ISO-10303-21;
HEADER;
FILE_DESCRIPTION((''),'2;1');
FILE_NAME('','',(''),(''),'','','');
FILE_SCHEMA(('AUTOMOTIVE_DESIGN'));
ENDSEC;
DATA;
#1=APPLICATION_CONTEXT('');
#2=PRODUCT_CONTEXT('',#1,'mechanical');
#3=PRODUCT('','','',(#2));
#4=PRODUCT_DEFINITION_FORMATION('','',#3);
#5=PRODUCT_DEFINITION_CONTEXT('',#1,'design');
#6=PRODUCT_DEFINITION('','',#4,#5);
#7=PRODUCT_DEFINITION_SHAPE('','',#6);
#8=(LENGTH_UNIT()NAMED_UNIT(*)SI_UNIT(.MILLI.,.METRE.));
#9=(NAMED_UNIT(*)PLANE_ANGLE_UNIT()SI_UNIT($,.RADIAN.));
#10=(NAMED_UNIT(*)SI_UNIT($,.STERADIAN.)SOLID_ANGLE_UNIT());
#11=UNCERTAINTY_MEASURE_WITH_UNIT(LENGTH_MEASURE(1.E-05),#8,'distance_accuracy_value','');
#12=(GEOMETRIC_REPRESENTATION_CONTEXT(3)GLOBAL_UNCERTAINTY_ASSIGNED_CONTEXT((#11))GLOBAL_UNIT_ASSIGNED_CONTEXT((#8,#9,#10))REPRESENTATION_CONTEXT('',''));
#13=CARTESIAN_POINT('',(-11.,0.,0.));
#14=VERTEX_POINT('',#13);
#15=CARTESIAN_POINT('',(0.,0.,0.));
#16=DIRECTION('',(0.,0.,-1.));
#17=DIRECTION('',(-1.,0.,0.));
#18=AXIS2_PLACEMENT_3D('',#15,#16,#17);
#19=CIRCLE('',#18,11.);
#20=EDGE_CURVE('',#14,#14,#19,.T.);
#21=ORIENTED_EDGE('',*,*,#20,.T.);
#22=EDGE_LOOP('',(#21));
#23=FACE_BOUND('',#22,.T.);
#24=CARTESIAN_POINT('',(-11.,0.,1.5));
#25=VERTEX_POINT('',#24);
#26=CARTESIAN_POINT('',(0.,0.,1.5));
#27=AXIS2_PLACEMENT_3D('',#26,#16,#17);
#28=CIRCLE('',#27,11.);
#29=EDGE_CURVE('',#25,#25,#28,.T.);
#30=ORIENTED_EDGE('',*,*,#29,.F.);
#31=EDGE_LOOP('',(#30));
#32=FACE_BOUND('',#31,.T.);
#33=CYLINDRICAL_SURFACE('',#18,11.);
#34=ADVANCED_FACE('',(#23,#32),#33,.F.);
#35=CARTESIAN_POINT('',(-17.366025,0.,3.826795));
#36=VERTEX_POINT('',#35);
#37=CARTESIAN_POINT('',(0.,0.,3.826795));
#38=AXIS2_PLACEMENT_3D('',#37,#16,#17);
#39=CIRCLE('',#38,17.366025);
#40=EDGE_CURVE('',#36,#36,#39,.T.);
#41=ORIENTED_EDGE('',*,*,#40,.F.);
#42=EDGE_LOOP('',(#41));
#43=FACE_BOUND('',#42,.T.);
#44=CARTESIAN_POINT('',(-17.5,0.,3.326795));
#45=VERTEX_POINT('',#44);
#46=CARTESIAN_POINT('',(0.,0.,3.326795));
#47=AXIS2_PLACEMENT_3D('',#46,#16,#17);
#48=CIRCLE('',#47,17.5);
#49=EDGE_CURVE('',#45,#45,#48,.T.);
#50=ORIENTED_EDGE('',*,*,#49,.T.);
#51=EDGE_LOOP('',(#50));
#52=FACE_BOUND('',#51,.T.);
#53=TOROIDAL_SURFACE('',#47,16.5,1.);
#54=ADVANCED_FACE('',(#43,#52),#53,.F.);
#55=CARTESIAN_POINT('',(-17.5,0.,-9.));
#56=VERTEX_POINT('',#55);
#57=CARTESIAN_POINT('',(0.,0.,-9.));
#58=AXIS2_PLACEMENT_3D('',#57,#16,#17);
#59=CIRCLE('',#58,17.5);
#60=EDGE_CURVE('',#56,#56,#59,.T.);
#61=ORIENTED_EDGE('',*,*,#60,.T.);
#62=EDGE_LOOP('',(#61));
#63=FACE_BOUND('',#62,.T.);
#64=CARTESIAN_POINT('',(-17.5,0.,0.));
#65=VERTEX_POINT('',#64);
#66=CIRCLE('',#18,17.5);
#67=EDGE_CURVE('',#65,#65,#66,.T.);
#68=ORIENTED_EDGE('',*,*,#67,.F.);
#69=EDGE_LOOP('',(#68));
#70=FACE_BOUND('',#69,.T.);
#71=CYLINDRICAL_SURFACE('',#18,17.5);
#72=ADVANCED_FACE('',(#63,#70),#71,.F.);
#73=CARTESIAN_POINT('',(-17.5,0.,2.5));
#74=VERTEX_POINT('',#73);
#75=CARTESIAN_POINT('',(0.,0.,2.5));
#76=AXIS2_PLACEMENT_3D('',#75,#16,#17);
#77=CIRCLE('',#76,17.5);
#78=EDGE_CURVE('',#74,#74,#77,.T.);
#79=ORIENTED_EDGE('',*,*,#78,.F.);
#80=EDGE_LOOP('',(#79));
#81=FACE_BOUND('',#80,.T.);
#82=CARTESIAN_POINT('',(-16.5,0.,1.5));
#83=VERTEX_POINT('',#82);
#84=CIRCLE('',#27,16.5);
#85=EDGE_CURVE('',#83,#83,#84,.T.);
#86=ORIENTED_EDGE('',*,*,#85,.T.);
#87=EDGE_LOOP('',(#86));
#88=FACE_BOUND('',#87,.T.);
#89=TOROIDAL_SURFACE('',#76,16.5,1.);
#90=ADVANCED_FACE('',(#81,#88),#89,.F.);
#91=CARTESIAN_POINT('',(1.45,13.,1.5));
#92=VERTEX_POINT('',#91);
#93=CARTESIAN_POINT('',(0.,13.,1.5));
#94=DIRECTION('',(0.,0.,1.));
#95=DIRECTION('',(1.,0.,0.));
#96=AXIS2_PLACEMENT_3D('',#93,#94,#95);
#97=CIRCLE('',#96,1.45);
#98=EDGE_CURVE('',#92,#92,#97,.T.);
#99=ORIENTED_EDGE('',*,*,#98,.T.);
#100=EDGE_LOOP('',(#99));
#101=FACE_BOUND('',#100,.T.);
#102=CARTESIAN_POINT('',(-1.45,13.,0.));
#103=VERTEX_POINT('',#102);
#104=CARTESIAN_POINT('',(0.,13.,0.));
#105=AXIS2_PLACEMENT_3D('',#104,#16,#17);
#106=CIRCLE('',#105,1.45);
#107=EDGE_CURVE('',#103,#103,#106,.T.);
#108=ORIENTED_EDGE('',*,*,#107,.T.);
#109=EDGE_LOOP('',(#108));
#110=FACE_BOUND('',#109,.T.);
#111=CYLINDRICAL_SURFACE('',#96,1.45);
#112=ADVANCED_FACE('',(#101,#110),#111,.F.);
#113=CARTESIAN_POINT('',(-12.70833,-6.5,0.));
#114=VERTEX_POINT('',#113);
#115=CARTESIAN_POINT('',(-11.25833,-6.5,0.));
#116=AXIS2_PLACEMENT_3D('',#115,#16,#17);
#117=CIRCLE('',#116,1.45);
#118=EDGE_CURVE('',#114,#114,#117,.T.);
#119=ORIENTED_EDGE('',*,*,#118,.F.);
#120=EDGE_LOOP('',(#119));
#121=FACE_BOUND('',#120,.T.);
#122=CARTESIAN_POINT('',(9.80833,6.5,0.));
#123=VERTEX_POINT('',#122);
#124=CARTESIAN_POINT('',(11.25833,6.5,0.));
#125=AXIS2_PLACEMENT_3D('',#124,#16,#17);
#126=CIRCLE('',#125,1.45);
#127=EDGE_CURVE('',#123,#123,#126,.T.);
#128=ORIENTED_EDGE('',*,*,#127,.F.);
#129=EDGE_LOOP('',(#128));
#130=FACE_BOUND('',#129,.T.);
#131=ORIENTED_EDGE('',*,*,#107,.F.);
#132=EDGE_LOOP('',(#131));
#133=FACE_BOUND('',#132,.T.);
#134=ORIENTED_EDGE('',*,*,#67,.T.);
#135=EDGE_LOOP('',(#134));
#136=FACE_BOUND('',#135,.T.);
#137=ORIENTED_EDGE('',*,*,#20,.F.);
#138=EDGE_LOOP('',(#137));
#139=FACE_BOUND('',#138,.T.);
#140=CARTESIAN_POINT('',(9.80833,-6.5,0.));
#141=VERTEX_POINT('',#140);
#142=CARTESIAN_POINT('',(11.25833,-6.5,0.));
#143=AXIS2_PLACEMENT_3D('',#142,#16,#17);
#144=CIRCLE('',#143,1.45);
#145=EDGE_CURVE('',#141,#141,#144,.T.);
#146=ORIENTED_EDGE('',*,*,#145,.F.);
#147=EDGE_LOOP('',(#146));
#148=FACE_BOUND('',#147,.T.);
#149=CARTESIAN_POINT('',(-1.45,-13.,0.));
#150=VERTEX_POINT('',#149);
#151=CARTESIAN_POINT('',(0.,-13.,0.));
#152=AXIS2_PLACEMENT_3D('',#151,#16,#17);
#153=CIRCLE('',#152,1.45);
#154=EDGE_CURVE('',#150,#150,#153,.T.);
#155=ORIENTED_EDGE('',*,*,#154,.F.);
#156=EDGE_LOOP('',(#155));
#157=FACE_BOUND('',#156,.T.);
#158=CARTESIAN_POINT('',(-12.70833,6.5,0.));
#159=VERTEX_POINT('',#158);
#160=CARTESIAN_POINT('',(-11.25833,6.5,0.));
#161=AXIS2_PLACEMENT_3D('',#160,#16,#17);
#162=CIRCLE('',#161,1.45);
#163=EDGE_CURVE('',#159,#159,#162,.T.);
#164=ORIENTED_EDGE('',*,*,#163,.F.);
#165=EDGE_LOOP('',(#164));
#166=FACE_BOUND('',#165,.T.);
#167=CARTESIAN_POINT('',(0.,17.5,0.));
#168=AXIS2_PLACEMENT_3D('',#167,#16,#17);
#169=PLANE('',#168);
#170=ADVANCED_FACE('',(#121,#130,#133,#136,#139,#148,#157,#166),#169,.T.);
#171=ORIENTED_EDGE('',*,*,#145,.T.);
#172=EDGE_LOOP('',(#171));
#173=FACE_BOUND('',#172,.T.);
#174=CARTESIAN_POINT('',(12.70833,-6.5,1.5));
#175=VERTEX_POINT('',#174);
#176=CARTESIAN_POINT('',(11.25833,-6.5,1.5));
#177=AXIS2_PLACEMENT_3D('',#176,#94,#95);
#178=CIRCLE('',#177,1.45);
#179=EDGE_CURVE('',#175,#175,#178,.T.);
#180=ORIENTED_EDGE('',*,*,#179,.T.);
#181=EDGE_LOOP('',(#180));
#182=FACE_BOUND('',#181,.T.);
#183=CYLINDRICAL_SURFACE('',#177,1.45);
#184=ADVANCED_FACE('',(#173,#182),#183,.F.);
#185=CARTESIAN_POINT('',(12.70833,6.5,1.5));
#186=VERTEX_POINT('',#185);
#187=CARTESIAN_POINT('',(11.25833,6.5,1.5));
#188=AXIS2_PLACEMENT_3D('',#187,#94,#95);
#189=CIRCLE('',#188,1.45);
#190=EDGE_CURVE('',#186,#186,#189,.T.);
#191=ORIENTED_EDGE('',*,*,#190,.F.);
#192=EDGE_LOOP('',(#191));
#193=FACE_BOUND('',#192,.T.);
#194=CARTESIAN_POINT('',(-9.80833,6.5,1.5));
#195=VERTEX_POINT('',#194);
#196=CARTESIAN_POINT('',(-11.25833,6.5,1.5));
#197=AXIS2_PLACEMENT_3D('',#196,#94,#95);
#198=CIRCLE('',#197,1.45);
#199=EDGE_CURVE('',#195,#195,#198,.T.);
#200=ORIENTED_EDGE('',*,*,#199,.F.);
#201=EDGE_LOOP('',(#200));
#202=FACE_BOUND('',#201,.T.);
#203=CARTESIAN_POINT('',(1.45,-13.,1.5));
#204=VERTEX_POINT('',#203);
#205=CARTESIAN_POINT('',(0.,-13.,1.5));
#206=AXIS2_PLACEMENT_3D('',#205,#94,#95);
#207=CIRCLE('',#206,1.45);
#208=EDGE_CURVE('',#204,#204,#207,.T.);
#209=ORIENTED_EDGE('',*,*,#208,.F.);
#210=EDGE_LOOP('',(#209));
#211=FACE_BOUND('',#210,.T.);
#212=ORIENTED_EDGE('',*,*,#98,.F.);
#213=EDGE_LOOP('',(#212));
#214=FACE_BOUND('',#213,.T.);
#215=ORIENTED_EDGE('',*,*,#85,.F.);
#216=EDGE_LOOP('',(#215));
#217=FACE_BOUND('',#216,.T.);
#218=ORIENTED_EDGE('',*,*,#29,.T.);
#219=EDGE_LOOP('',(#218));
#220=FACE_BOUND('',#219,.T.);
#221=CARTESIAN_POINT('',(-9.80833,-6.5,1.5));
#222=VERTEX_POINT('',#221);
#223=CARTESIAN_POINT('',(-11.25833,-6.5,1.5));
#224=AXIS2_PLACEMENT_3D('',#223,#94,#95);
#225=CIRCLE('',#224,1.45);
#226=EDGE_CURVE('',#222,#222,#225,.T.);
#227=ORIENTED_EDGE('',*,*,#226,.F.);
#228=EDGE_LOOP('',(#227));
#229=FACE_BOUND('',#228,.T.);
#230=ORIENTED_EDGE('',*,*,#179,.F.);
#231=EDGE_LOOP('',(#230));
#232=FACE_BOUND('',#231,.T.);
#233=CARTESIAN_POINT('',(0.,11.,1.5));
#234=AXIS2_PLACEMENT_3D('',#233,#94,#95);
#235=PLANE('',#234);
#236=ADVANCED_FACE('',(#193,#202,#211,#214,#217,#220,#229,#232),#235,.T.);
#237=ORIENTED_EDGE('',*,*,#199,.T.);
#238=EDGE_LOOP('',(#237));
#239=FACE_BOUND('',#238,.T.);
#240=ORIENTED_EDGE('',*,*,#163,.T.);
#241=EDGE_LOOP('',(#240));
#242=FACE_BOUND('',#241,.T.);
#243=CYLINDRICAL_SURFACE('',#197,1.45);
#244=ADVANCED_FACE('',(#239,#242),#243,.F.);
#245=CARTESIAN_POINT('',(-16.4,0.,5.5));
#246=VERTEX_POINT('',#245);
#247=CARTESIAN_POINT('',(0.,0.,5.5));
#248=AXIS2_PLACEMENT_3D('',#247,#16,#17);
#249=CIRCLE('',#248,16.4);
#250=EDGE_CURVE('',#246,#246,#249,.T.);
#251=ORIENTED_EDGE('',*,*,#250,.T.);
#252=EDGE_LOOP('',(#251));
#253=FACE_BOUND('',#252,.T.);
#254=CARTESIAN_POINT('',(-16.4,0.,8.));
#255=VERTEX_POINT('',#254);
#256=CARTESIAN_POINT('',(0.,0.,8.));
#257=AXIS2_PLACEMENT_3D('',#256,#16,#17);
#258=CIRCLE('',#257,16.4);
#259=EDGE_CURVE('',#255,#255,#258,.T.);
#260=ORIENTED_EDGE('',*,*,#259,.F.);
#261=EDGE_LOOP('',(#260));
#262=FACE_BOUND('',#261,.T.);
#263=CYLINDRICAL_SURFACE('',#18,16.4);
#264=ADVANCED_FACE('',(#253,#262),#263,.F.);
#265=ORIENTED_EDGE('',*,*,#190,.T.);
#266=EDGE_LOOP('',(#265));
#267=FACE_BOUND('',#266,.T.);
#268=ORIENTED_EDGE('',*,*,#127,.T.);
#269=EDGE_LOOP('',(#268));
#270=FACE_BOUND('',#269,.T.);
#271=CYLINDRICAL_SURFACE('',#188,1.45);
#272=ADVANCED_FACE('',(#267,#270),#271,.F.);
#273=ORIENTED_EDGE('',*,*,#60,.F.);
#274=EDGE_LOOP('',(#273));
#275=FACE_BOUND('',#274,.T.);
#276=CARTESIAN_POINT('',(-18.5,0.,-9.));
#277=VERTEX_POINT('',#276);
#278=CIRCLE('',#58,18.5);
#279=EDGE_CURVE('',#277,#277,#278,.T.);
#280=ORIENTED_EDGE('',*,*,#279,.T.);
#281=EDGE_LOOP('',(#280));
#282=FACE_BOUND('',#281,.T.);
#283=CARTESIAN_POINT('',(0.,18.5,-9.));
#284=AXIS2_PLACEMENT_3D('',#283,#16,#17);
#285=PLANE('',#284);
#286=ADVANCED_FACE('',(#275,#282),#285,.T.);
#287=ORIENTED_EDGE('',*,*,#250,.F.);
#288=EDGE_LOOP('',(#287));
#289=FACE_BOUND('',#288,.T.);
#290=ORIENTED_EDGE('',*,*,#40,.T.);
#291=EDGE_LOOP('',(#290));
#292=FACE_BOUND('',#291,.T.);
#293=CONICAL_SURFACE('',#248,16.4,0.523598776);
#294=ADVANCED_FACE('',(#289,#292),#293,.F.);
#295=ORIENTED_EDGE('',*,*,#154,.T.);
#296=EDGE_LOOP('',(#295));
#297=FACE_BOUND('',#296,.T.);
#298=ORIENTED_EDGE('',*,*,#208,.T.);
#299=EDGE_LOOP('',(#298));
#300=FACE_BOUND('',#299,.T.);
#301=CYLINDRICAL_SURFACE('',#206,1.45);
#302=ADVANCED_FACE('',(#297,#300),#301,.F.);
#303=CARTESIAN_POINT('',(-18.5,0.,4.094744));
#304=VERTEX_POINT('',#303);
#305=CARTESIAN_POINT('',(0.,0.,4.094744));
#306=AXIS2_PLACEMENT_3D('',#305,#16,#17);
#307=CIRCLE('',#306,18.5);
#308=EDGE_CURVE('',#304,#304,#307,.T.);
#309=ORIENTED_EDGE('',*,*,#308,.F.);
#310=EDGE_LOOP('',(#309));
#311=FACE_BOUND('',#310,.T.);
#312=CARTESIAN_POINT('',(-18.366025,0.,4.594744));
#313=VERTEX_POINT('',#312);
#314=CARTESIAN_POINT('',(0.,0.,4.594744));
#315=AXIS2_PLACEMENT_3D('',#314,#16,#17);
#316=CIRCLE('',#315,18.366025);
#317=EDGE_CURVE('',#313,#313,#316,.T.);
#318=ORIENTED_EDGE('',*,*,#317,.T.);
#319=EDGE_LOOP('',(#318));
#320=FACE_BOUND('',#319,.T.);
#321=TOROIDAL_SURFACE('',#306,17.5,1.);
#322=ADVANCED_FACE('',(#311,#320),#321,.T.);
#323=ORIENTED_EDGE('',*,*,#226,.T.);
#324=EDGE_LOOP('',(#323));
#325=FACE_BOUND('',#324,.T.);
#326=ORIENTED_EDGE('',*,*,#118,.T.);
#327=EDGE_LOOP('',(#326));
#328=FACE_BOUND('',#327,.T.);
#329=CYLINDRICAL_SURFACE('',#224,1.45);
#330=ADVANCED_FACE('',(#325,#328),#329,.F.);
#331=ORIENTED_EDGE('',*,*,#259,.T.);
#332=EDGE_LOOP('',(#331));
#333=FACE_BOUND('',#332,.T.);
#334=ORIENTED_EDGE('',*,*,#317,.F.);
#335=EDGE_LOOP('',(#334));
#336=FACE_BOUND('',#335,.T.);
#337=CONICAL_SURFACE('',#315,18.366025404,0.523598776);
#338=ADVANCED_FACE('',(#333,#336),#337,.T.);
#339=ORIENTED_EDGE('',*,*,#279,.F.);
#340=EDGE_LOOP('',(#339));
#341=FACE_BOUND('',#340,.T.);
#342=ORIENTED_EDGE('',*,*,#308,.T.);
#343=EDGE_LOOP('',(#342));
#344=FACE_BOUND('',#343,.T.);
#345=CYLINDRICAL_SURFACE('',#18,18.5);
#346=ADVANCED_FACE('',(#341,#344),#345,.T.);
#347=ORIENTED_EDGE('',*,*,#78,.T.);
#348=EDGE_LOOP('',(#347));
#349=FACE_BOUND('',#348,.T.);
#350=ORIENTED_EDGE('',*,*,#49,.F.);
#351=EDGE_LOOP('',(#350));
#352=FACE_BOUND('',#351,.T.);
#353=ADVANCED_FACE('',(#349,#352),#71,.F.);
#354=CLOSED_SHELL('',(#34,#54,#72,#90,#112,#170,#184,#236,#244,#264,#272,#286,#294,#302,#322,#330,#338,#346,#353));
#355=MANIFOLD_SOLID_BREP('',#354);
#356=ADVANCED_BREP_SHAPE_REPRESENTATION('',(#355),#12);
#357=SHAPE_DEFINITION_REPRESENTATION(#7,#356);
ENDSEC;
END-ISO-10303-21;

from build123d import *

# Parameters (mm, degrees)
CIRPATTERN1_COUNT = 6


with BuildPart() as part:
    # Sketch1 → Revolve1 (revolve)
    with BuildSketch(Plane(origin=(0, 0, 0), x_dir=(0, 0, -1), z_dir=(1, 0, 0))):
        with BuildLine():
            Line((-8, 16.4), (-4.594744112, 18.366025404))
            ThreePointArc((-4.594744112, 18.366025404), (-4.353563157, 18.465925826), (-4.094744112, 18.5))
            Line((-4.094744112, 18.5), (9, 18.5))
            Line((9, 18.5), (9, 17.5))
            Line((9, 17.5), (0, 17.5))
            Line((0, 17.5), (0, 11))
            Line((0, 11), (-1.5, 11))
            Line((-1.5, 11), (-1.5, 16.5))
            ThreePointArc((-1.5, 16.5), (-1.792893219, 17.207106781), (-2.5, 17.5))
            Line((-2.5, 17.5), (-3.326794919, 17.5))
            ThreePointArc((-3.326794919, 17.5), (-3.585613964, 17.465925826), (-3.826794919, 17.366025404))
            Line((-3.826794919, 17.366025404), (-5.5, 16.4))
            Line((-5.5, 16.4), (-8, 16.4))
        make_face()
    revolve(axis=Axis((0, 0, 0), (0, 0, 1)))

    # Sketch2 → M2.5 Clearance Hole1 (revolve, cut)
    with BuildSketch(Plane(origin=(0, 13, 1.5), x_dir=(0, -1, 0), z_dir=(1, 0, 0))):
        Polygon((0, 0), (0, 23.871247898), (1.45, 23), (1.45, 0), align=None)
    m2_5_clearance_hole1 = revolve(axis=Axis((0, 13, 7.85), (0, 0, -1)), mode=Mode.SUBTRACT)

    # CirPattern1: M2.5 Clearance Hole1 ×6 about axis
    cirpattern1_axis = Axis((0, 0, 4.094744112), (0, 0, -1))
    for i in range(1, CIRPATTERN1_COUNT):
        add(m2_5_clearance_hole1.rotate(cirpattern1_axis, i * 360 / CIRPATTERN1_COUNT), mode=Mode.SUBTRACT)


solid = part.part
